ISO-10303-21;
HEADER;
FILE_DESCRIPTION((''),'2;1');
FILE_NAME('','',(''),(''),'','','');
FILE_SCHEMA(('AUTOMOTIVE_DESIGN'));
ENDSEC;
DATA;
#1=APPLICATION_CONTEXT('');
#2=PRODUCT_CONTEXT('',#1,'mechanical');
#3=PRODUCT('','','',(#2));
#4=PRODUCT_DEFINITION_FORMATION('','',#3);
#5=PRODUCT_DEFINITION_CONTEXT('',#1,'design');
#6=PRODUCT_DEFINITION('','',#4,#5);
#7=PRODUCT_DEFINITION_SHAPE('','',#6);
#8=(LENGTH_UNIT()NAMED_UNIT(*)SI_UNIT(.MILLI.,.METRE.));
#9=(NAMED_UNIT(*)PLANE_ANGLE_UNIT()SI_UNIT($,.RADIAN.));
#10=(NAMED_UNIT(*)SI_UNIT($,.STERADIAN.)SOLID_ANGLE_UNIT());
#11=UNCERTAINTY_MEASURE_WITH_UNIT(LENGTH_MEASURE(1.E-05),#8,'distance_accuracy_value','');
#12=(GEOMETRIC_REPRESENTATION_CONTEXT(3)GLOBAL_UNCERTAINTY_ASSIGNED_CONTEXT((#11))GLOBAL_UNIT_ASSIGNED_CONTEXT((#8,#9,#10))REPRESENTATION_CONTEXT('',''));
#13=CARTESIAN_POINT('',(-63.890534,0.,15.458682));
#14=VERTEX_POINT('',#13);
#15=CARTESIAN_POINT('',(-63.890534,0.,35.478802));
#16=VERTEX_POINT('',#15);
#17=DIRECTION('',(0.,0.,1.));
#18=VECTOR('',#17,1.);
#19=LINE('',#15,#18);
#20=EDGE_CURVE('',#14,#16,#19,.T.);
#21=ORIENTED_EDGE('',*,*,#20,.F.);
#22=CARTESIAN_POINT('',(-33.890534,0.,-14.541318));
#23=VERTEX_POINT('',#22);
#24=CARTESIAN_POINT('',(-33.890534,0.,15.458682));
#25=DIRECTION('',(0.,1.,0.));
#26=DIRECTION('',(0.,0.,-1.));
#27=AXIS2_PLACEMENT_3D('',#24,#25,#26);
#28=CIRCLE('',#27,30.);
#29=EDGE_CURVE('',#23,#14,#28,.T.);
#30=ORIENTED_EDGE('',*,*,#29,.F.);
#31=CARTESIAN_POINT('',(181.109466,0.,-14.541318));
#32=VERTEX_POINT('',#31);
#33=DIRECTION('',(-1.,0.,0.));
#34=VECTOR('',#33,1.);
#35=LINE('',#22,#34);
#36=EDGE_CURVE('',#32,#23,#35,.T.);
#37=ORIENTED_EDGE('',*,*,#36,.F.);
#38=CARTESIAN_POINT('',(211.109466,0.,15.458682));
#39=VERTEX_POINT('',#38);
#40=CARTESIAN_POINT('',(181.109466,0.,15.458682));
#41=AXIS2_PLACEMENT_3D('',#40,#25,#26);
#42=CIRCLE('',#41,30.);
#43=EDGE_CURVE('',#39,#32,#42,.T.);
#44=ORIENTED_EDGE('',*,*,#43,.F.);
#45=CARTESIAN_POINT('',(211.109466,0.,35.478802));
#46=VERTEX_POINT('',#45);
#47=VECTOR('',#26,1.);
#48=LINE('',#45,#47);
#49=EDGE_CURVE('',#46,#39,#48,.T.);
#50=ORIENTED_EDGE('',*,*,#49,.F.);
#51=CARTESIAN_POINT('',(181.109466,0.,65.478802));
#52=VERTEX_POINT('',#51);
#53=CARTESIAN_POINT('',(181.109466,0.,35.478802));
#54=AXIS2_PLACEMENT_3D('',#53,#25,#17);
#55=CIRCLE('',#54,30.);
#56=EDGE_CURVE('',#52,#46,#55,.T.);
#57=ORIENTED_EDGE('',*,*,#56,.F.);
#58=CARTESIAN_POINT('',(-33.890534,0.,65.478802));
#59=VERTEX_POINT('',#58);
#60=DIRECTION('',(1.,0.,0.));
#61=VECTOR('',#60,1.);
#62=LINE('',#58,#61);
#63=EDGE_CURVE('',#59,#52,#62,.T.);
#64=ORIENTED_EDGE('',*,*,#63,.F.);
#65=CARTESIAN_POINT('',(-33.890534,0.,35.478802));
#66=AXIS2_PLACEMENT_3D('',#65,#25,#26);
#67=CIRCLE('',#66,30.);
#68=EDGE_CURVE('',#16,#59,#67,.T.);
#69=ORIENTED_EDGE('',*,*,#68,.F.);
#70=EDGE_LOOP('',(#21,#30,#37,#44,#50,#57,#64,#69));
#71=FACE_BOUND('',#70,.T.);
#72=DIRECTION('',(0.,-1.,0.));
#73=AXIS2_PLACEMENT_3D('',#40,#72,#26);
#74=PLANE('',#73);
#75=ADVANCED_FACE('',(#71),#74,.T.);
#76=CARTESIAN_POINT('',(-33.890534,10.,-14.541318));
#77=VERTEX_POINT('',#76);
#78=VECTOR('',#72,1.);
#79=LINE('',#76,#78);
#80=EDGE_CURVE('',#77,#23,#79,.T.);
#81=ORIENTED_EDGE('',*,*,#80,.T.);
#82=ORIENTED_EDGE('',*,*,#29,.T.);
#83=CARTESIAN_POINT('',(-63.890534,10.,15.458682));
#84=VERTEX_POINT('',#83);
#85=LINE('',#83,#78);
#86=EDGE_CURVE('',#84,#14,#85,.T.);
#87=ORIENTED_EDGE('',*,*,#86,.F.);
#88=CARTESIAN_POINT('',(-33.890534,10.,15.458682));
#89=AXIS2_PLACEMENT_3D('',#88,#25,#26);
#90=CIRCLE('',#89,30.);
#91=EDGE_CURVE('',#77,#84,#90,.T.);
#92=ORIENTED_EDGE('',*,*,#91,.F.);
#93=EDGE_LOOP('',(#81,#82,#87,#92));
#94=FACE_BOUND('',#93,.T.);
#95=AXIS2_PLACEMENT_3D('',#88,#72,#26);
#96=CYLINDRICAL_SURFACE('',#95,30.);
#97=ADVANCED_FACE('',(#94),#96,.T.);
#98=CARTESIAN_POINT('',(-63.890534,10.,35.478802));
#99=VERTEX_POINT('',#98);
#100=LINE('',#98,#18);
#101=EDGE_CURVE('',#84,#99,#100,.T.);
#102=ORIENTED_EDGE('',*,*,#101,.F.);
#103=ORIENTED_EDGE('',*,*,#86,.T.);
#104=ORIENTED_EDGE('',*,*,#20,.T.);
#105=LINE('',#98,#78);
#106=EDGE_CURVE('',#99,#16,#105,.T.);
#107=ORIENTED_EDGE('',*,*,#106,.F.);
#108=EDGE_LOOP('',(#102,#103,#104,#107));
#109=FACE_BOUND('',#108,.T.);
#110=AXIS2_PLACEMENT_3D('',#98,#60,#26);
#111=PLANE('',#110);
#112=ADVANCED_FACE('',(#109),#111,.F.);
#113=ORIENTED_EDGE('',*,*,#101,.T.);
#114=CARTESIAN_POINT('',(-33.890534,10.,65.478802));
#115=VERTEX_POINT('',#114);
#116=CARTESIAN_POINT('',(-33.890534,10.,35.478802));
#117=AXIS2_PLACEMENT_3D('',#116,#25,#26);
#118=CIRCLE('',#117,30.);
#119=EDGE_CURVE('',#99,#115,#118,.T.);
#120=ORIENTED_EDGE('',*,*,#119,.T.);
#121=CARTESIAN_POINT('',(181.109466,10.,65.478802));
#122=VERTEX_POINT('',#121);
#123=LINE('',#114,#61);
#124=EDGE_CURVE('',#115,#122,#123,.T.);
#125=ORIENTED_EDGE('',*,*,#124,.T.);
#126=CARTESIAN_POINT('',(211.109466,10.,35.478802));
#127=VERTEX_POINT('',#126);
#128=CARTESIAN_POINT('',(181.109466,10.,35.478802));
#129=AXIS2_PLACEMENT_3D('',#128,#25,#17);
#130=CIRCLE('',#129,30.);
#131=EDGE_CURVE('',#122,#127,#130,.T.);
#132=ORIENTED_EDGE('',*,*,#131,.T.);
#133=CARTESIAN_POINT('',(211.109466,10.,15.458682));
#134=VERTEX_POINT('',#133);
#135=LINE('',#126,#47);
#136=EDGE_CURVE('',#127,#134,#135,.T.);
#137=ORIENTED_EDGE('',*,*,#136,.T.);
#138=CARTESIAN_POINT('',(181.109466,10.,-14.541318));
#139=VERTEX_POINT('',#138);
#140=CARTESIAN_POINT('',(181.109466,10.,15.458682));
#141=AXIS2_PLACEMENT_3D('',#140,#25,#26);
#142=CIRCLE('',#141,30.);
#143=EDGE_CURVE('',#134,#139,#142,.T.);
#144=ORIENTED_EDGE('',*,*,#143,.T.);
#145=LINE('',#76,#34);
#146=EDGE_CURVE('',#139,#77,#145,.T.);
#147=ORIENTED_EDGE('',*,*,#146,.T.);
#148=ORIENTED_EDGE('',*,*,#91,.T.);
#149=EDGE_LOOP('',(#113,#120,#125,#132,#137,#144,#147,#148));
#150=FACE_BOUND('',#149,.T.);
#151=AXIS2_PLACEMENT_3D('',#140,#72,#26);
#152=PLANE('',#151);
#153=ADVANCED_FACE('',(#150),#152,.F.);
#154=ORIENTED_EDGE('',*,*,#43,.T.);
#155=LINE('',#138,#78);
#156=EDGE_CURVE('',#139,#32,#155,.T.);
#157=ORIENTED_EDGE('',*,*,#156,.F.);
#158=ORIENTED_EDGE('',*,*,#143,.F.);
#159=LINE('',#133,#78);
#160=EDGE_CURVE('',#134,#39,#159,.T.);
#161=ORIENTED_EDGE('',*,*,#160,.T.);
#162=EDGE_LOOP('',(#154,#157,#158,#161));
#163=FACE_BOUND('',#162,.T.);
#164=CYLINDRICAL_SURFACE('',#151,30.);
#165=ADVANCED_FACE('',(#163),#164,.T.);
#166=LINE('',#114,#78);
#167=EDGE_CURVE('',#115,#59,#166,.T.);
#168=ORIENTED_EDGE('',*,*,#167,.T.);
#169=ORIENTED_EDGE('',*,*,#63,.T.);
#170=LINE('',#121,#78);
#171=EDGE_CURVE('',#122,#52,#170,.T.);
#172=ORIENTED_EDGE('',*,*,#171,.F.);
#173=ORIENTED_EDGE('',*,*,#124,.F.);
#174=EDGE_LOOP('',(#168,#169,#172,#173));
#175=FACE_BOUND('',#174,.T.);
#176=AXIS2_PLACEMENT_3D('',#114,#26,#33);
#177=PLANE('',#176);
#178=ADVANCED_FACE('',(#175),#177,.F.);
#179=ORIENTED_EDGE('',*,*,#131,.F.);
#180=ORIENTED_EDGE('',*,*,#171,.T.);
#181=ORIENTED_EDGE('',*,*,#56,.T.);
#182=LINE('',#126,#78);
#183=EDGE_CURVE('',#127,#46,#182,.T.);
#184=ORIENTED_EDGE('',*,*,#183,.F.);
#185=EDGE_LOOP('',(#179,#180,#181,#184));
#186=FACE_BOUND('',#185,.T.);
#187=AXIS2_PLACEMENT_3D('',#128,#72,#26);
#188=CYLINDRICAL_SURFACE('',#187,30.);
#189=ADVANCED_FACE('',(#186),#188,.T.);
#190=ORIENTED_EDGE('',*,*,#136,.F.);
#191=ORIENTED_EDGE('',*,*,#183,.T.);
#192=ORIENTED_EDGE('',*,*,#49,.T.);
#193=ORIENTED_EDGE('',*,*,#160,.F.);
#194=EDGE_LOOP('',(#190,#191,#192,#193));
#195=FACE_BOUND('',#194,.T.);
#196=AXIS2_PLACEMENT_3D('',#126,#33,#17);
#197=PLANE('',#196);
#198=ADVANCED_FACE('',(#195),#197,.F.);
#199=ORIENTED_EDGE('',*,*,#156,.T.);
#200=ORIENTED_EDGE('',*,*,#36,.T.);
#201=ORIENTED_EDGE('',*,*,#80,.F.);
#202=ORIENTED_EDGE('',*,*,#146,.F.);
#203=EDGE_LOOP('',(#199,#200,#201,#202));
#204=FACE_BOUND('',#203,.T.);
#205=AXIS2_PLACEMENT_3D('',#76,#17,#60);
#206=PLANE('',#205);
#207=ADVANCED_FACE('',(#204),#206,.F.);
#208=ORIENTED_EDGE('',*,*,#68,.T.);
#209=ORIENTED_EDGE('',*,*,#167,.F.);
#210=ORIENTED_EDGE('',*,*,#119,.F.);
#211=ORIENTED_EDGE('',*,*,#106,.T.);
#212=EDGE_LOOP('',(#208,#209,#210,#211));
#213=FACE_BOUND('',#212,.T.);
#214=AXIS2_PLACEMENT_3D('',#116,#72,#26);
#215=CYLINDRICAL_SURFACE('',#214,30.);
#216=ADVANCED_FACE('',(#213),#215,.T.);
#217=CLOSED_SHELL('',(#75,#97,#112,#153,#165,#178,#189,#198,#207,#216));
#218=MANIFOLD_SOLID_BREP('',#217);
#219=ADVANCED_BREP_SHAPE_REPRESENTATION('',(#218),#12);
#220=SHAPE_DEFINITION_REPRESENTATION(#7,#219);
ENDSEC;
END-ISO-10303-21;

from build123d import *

# Parameters (mm, degrees)
EXTRUDE_1_DEPTH = 10


with BuildPart() as part:
    # Эскиз1 → Бобышка-Вытянуть1 (new body)
    with BuildSketch(Plane(origin=(0, 0, 0), x_dir=(1, 0, 0), z_dir=(0, 1, 0))):
        with BuildLine():
            Line((-33.890533661, -65.478802185), (181.109466339, -65.478802185))
            ThreePointArc((181.109466339, -65.478802185), (202.322669775, -56.692005621), (211.109466339, -35.478802185))
            Line((211.109466339, -35.478802185), (211.109466339, -15.458681769))
            ThreePointArc((211.109466339, -15.458681769), (202.322669775, 5.754521666), (181.109466339, 14.541318231))
            Line((181.109466339, 14.541318231), (-33.890533661, 14.541318231))
            ThreePointArc((-33.890533661, 14.541318231), (-55.103737097, 5.754521666), (-63.890533661, -15.458681769))
            Line((-63.890533661, -15.458681769), (-63.890533661, -35.478802185))
            ThreePointArc((-63.890533661, -35.478802185), (-55.103737097, -56.692005621), (-33.890533661, -65.478802185))
        make_face()
    extrude(amount=EXTRUDE_1_DEPTH)


solid = part.part
